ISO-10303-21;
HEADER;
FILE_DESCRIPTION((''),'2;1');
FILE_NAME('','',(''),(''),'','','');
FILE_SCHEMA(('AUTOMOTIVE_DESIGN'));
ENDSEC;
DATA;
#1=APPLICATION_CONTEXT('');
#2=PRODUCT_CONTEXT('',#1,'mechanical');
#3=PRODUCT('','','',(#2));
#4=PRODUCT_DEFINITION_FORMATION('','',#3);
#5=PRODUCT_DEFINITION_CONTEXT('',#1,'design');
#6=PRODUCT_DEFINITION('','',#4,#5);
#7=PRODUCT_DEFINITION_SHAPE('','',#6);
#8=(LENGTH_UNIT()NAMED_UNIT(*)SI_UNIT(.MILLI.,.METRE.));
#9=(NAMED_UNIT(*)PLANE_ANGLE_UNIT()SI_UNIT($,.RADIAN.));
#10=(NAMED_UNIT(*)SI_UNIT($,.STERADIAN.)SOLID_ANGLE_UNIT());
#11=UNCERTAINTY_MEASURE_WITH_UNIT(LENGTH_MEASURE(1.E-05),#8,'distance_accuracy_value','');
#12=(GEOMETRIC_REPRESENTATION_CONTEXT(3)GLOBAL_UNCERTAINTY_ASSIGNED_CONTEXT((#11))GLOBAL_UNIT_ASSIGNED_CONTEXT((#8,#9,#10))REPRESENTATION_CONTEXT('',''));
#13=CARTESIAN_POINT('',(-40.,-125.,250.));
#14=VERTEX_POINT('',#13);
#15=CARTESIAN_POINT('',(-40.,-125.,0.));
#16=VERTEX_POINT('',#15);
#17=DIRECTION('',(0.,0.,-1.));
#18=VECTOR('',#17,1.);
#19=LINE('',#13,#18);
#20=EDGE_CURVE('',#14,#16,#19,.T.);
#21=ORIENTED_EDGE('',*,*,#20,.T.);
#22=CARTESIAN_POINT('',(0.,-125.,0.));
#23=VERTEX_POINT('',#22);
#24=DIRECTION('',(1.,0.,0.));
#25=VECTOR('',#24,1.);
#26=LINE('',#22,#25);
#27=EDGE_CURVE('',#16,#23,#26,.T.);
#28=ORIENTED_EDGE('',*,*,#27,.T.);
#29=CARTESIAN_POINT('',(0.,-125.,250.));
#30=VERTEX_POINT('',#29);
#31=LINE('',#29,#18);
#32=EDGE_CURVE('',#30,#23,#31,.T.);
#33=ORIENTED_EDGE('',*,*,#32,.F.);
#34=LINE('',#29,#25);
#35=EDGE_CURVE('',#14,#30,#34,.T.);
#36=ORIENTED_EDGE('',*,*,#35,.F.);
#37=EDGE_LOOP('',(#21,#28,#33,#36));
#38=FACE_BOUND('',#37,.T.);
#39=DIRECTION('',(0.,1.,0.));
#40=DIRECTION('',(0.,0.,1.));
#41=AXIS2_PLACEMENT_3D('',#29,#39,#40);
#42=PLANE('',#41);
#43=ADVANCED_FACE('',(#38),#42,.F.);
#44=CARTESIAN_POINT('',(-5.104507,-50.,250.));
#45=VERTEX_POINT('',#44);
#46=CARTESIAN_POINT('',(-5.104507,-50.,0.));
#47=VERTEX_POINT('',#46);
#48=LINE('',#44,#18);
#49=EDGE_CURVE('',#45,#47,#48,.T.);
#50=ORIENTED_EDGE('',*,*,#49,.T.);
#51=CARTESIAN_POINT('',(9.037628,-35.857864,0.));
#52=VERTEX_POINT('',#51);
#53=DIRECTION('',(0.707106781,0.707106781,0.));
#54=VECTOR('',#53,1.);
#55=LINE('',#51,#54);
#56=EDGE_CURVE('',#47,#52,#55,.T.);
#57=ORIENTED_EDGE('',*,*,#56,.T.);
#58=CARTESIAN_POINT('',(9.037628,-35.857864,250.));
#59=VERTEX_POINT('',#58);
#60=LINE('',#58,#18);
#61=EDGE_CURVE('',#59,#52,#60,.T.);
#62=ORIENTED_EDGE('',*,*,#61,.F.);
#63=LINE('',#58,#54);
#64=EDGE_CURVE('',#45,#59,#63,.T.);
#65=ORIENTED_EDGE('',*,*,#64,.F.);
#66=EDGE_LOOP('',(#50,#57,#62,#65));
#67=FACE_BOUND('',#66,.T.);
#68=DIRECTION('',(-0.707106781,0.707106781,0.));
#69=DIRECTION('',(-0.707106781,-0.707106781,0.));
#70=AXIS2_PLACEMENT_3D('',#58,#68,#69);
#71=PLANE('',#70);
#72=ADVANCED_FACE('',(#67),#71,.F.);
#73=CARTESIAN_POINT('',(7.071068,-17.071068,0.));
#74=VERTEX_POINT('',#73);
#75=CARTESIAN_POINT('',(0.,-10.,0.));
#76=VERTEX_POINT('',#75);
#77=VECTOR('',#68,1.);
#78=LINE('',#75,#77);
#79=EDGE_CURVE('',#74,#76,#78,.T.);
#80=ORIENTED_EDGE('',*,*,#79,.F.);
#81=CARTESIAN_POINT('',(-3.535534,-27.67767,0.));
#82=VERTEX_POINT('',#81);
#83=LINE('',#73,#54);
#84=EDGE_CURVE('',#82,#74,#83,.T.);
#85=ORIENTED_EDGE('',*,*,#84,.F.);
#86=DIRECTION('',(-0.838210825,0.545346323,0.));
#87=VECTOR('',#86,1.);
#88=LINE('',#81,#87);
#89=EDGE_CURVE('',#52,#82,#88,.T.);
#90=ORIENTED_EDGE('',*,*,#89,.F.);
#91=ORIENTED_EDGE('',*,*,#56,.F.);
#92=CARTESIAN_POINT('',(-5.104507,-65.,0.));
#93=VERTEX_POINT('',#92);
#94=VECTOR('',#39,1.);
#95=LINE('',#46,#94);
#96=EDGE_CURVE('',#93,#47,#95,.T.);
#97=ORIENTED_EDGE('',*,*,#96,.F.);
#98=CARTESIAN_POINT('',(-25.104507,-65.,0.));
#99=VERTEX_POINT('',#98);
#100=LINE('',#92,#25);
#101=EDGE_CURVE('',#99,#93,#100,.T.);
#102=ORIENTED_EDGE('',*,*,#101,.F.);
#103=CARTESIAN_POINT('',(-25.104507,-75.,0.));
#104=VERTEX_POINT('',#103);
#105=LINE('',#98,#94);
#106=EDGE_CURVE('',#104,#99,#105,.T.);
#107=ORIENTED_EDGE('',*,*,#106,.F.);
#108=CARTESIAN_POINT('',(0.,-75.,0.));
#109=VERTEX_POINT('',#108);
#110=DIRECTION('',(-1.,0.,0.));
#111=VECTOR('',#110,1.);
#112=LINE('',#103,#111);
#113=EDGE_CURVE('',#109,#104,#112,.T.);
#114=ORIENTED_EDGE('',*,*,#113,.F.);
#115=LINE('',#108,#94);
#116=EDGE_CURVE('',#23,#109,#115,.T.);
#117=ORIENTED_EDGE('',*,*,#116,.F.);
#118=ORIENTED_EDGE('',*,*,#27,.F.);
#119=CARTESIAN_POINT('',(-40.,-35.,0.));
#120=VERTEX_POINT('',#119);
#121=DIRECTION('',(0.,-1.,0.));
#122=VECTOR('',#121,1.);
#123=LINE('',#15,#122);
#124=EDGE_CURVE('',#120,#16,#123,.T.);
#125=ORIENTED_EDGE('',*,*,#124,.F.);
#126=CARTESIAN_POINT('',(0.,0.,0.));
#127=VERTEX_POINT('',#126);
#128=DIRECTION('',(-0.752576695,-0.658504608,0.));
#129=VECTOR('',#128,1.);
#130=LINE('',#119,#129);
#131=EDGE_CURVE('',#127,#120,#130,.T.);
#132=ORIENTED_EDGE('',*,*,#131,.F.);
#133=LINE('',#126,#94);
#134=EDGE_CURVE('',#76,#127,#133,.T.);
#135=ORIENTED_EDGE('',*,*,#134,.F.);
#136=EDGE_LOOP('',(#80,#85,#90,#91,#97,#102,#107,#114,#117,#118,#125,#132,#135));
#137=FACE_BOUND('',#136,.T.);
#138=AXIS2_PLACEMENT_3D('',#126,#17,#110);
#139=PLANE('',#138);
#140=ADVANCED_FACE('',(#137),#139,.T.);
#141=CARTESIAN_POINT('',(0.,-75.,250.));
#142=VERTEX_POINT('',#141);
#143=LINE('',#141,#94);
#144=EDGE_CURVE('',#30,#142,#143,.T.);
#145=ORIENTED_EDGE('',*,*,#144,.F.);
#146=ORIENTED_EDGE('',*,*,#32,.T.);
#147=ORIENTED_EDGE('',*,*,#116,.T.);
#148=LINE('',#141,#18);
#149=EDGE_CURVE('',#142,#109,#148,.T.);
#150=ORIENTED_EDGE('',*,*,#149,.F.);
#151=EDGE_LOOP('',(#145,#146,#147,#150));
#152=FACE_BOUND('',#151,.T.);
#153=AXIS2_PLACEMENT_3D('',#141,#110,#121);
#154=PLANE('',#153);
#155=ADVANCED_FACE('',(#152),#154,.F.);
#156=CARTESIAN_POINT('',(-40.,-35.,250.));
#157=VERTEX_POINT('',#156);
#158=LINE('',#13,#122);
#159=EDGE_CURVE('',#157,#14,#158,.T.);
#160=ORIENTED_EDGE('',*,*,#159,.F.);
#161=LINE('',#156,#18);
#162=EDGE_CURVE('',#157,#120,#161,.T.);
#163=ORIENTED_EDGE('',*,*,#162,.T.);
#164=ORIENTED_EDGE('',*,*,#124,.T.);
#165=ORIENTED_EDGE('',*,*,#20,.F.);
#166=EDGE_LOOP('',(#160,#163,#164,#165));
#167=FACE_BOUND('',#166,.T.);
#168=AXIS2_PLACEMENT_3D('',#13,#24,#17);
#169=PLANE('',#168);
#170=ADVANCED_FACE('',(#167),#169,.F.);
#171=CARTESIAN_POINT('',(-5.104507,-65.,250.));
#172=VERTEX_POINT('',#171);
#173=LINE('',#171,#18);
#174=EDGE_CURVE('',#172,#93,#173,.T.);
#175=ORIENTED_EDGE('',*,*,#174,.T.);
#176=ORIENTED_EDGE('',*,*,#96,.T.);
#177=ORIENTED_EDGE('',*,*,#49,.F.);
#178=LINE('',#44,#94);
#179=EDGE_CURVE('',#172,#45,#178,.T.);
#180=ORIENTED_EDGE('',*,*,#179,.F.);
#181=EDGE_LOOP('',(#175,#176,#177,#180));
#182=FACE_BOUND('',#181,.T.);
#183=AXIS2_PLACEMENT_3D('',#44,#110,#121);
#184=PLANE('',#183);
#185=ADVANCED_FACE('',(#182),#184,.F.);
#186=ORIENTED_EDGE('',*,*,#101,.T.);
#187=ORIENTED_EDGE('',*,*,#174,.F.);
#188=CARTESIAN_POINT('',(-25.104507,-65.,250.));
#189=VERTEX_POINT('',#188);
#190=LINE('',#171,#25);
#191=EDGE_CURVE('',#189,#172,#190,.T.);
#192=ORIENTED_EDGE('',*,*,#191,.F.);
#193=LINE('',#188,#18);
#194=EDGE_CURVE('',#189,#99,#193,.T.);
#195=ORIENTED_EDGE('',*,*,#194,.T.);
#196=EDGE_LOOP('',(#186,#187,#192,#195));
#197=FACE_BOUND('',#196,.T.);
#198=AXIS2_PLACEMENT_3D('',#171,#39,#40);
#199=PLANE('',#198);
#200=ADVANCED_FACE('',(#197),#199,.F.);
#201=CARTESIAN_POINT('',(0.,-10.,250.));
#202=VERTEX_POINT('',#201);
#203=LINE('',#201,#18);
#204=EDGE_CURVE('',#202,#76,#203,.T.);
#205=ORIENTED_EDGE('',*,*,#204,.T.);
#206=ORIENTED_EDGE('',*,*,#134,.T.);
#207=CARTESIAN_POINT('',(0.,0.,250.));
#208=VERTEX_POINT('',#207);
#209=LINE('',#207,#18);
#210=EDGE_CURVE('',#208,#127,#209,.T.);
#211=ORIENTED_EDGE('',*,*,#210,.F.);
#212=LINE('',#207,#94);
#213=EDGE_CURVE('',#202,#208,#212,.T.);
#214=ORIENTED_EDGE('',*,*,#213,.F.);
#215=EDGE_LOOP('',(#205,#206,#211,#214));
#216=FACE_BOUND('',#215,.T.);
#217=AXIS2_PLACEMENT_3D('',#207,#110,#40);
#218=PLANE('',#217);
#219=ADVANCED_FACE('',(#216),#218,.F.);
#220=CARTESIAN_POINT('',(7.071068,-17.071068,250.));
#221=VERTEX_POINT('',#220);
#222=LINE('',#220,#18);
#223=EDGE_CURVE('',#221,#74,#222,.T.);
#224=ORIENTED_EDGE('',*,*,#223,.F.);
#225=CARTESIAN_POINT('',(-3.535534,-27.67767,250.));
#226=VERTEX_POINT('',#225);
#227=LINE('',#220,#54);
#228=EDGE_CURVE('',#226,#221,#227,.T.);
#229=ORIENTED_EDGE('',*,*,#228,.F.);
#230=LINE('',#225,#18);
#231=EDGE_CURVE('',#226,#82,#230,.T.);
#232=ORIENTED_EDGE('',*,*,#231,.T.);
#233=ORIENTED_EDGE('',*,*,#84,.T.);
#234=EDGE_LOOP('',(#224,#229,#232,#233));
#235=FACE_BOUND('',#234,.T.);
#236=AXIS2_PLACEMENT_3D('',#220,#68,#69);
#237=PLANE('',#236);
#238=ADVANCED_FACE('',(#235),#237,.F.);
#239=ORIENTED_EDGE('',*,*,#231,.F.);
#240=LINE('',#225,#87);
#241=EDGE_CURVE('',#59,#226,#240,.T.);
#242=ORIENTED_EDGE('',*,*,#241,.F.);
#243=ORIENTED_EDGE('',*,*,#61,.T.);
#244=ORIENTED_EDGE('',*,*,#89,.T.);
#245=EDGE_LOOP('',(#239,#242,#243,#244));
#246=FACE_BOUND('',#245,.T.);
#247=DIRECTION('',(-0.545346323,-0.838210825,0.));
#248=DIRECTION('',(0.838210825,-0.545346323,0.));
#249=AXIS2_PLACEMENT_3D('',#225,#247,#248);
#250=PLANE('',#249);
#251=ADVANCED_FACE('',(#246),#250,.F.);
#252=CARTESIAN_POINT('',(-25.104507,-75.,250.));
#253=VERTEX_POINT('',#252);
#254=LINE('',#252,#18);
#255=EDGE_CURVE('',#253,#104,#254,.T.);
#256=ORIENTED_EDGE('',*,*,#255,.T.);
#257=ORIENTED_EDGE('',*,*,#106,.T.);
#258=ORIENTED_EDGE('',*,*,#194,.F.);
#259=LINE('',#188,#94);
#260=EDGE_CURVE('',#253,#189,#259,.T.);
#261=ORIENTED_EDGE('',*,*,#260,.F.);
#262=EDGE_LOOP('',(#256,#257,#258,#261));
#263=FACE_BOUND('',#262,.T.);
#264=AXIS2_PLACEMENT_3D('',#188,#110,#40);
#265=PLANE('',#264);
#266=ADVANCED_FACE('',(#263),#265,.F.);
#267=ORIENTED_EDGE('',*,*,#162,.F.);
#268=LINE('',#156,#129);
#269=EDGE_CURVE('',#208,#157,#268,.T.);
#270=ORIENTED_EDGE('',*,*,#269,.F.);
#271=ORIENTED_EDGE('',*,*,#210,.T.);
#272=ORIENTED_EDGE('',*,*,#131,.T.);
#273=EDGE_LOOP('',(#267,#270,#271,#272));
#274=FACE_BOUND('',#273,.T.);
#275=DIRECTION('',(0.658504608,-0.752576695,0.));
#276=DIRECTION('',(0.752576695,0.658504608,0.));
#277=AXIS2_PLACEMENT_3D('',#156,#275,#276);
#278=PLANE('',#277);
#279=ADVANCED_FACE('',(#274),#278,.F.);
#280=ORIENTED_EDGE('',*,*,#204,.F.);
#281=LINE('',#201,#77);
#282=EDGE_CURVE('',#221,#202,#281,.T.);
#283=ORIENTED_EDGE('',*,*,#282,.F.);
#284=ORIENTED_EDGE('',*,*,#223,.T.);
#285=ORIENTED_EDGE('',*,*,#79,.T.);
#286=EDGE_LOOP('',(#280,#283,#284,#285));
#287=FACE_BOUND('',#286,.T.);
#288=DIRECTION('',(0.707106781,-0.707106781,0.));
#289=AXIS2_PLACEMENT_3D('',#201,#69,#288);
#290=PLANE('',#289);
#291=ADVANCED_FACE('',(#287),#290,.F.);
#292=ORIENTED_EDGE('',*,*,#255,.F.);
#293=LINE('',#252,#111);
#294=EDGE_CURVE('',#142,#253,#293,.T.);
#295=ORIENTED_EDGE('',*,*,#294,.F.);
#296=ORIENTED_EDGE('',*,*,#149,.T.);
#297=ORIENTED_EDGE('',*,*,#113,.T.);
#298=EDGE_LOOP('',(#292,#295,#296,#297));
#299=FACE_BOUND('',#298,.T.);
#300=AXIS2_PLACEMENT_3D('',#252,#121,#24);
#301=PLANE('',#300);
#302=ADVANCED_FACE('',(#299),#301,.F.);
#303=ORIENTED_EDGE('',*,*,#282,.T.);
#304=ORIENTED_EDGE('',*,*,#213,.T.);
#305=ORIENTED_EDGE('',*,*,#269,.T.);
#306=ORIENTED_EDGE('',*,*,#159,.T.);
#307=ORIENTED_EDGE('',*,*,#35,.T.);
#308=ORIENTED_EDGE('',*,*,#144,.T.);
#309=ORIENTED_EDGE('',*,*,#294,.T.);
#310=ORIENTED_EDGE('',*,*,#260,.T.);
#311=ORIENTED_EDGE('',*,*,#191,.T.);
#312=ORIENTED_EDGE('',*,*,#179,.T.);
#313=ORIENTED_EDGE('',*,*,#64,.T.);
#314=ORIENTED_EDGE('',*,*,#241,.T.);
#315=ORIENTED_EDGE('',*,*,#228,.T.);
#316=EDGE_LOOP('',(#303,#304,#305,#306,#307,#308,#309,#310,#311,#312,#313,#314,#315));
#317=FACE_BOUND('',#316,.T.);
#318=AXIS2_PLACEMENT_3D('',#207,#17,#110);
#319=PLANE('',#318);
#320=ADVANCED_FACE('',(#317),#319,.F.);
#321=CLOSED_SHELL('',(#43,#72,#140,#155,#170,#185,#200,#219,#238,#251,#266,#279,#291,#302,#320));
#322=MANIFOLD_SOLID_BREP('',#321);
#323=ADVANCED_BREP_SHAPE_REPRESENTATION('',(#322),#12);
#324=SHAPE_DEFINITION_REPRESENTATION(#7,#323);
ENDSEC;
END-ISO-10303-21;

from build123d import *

# Parameters (mm, degrees)
BOSS_EXTRUDE1_DEPTH = 250


with BuildPart() as part:
    # Sketch1 → Boss-Extrude1 (new body)
    with BuildSketch(Plane.XY):
        Polygon((0, 0), (0, -10), (7.071067812, -17.071067812), (-3.535533906, -27.67766953), (9.037628476, -35.857864376), (-5.104507148, -50), (-5.104507148, -65), (-25.104507148, -65), (-25.104507148, -75), (0, -75), (0, -125), (-40, -125), (-40, -35), align=None)
    extrude(amount=BOSS_EXTRUDE1_DEPTH)


solid = part.part
